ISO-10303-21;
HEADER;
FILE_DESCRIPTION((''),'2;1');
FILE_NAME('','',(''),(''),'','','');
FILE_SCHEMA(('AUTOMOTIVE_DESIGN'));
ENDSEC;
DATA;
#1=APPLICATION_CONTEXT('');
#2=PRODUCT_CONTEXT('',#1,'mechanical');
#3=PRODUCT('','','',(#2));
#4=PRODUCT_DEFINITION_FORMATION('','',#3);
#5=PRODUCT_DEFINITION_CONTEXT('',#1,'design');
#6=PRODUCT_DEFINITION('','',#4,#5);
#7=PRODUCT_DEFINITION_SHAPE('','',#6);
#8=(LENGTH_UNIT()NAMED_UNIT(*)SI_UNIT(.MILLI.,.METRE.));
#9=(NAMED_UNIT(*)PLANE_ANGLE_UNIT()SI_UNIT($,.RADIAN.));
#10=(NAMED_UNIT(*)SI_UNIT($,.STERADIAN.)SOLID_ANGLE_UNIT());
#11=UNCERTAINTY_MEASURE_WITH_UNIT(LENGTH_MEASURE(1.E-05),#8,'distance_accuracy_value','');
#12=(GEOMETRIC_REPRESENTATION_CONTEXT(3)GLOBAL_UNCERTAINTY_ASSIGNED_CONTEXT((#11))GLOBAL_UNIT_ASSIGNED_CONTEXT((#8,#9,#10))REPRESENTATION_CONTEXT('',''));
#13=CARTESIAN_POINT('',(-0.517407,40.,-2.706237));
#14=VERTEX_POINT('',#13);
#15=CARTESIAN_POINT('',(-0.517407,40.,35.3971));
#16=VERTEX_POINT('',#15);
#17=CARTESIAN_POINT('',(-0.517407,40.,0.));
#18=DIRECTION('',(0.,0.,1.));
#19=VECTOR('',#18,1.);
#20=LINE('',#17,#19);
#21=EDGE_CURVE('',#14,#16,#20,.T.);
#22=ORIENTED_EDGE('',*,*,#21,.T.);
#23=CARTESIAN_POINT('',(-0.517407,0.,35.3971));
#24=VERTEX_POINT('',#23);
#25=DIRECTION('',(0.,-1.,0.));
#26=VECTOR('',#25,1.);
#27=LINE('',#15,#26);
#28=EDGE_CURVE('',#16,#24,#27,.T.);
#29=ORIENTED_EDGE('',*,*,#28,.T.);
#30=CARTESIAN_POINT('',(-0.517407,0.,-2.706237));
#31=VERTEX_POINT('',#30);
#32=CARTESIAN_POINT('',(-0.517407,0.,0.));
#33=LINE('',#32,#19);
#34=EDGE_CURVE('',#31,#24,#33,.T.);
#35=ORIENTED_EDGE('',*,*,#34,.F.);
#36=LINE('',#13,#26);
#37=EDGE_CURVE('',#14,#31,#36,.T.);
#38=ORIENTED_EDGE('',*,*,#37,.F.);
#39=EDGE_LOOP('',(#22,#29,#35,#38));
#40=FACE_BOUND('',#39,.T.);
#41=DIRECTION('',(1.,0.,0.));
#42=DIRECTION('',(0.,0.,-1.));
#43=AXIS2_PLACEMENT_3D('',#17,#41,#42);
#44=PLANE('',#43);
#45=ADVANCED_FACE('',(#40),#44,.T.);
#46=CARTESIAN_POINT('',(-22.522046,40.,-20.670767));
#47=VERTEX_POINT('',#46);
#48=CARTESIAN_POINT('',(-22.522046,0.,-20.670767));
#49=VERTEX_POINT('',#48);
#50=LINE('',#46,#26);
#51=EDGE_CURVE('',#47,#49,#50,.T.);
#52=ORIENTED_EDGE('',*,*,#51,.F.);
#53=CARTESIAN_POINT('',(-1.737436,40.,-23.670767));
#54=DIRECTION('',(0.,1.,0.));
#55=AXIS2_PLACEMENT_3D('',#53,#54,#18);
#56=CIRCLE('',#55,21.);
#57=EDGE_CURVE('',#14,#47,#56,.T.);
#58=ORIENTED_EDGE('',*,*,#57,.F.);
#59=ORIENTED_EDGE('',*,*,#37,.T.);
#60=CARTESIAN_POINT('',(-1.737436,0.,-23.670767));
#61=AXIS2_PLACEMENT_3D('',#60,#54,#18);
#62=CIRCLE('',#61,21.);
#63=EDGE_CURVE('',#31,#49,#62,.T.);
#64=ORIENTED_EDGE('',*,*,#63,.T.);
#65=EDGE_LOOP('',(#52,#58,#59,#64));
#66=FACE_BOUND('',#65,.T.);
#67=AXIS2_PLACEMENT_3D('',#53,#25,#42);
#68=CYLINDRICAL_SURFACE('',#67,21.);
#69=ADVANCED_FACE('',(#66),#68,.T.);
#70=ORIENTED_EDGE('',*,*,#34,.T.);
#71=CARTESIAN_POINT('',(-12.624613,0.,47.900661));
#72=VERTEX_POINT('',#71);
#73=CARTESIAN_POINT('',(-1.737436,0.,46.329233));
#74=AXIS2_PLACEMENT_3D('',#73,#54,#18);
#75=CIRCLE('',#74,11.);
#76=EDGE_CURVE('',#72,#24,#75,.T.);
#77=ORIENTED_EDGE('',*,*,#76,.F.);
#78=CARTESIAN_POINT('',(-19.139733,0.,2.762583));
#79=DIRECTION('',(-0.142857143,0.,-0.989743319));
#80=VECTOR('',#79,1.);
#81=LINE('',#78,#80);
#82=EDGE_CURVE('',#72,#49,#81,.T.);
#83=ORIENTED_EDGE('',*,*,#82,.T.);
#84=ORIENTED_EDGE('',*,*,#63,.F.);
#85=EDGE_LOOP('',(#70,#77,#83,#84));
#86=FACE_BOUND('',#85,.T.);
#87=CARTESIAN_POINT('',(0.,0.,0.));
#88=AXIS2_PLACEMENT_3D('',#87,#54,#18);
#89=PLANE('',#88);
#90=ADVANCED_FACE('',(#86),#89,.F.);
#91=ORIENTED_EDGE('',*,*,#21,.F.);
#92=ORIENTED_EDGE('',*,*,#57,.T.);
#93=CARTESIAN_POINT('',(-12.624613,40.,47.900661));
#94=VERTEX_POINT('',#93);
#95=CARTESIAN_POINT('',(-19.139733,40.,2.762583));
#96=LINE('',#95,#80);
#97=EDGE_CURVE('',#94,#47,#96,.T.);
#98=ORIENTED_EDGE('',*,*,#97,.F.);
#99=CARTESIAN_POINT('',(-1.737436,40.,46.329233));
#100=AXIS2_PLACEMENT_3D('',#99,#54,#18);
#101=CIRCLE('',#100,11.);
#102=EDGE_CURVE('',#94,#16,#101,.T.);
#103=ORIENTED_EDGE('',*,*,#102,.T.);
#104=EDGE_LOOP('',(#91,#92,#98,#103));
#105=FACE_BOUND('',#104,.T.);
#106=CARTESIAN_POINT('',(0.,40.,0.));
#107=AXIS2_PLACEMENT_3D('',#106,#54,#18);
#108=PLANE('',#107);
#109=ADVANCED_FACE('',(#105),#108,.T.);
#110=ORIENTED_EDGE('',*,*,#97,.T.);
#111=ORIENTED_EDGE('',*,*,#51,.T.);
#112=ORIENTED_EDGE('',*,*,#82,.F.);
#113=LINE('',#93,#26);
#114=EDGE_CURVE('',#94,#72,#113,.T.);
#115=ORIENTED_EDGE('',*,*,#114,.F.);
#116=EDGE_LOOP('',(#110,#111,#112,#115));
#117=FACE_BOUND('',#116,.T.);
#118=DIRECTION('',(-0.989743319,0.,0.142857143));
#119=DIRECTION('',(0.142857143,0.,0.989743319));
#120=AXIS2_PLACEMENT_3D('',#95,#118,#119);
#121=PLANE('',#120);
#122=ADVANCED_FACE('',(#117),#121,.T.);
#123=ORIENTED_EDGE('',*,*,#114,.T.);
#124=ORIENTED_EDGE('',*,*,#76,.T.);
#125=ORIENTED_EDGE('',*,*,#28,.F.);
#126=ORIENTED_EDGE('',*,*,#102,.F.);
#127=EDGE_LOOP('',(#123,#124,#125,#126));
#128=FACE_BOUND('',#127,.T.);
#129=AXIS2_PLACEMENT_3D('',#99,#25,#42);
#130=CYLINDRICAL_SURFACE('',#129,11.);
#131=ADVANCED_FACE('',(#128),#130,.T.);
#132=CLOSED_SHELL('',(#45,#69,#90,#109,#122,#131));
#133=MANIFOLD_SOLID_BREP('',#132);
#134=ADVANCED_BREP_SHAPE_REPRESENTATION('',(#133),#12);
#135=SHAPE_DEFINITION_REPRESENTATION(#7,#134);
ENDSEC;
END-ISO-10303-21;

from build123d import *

# Parameters (mm, degrees)
BOSS_EXTRUDE1_DEPTH = 40


with BuildPart() as part:
    # Sketch1 → Boss-Extrude1 (new body)
    with BuildSketch(Plane(origin=(0, 0, 0), x_dir=(1, 0, 0), z_dir=(0, 1, 0))):
        with BuildLine():
            Line((-0.517406688, -35.397099854), (-0.517406688, 2.706237127))
            ThreePointArc((-0.517406688, 2.706237127), (11.543161609, 39.938087847), (-22.522046105, 20.67076735))
            Line((-22.522046105, 20.67076735), (-12.624612918, -47.900661221))
            ThreePointArc((-12.624612918, -47.900661221), (6.164980522, -53.981147872), (-0.517406688, -35.397099854))
        make_face()
    extrude(amount=BOSS_EXTRUDE1_DEPTH)


solid = part.part
